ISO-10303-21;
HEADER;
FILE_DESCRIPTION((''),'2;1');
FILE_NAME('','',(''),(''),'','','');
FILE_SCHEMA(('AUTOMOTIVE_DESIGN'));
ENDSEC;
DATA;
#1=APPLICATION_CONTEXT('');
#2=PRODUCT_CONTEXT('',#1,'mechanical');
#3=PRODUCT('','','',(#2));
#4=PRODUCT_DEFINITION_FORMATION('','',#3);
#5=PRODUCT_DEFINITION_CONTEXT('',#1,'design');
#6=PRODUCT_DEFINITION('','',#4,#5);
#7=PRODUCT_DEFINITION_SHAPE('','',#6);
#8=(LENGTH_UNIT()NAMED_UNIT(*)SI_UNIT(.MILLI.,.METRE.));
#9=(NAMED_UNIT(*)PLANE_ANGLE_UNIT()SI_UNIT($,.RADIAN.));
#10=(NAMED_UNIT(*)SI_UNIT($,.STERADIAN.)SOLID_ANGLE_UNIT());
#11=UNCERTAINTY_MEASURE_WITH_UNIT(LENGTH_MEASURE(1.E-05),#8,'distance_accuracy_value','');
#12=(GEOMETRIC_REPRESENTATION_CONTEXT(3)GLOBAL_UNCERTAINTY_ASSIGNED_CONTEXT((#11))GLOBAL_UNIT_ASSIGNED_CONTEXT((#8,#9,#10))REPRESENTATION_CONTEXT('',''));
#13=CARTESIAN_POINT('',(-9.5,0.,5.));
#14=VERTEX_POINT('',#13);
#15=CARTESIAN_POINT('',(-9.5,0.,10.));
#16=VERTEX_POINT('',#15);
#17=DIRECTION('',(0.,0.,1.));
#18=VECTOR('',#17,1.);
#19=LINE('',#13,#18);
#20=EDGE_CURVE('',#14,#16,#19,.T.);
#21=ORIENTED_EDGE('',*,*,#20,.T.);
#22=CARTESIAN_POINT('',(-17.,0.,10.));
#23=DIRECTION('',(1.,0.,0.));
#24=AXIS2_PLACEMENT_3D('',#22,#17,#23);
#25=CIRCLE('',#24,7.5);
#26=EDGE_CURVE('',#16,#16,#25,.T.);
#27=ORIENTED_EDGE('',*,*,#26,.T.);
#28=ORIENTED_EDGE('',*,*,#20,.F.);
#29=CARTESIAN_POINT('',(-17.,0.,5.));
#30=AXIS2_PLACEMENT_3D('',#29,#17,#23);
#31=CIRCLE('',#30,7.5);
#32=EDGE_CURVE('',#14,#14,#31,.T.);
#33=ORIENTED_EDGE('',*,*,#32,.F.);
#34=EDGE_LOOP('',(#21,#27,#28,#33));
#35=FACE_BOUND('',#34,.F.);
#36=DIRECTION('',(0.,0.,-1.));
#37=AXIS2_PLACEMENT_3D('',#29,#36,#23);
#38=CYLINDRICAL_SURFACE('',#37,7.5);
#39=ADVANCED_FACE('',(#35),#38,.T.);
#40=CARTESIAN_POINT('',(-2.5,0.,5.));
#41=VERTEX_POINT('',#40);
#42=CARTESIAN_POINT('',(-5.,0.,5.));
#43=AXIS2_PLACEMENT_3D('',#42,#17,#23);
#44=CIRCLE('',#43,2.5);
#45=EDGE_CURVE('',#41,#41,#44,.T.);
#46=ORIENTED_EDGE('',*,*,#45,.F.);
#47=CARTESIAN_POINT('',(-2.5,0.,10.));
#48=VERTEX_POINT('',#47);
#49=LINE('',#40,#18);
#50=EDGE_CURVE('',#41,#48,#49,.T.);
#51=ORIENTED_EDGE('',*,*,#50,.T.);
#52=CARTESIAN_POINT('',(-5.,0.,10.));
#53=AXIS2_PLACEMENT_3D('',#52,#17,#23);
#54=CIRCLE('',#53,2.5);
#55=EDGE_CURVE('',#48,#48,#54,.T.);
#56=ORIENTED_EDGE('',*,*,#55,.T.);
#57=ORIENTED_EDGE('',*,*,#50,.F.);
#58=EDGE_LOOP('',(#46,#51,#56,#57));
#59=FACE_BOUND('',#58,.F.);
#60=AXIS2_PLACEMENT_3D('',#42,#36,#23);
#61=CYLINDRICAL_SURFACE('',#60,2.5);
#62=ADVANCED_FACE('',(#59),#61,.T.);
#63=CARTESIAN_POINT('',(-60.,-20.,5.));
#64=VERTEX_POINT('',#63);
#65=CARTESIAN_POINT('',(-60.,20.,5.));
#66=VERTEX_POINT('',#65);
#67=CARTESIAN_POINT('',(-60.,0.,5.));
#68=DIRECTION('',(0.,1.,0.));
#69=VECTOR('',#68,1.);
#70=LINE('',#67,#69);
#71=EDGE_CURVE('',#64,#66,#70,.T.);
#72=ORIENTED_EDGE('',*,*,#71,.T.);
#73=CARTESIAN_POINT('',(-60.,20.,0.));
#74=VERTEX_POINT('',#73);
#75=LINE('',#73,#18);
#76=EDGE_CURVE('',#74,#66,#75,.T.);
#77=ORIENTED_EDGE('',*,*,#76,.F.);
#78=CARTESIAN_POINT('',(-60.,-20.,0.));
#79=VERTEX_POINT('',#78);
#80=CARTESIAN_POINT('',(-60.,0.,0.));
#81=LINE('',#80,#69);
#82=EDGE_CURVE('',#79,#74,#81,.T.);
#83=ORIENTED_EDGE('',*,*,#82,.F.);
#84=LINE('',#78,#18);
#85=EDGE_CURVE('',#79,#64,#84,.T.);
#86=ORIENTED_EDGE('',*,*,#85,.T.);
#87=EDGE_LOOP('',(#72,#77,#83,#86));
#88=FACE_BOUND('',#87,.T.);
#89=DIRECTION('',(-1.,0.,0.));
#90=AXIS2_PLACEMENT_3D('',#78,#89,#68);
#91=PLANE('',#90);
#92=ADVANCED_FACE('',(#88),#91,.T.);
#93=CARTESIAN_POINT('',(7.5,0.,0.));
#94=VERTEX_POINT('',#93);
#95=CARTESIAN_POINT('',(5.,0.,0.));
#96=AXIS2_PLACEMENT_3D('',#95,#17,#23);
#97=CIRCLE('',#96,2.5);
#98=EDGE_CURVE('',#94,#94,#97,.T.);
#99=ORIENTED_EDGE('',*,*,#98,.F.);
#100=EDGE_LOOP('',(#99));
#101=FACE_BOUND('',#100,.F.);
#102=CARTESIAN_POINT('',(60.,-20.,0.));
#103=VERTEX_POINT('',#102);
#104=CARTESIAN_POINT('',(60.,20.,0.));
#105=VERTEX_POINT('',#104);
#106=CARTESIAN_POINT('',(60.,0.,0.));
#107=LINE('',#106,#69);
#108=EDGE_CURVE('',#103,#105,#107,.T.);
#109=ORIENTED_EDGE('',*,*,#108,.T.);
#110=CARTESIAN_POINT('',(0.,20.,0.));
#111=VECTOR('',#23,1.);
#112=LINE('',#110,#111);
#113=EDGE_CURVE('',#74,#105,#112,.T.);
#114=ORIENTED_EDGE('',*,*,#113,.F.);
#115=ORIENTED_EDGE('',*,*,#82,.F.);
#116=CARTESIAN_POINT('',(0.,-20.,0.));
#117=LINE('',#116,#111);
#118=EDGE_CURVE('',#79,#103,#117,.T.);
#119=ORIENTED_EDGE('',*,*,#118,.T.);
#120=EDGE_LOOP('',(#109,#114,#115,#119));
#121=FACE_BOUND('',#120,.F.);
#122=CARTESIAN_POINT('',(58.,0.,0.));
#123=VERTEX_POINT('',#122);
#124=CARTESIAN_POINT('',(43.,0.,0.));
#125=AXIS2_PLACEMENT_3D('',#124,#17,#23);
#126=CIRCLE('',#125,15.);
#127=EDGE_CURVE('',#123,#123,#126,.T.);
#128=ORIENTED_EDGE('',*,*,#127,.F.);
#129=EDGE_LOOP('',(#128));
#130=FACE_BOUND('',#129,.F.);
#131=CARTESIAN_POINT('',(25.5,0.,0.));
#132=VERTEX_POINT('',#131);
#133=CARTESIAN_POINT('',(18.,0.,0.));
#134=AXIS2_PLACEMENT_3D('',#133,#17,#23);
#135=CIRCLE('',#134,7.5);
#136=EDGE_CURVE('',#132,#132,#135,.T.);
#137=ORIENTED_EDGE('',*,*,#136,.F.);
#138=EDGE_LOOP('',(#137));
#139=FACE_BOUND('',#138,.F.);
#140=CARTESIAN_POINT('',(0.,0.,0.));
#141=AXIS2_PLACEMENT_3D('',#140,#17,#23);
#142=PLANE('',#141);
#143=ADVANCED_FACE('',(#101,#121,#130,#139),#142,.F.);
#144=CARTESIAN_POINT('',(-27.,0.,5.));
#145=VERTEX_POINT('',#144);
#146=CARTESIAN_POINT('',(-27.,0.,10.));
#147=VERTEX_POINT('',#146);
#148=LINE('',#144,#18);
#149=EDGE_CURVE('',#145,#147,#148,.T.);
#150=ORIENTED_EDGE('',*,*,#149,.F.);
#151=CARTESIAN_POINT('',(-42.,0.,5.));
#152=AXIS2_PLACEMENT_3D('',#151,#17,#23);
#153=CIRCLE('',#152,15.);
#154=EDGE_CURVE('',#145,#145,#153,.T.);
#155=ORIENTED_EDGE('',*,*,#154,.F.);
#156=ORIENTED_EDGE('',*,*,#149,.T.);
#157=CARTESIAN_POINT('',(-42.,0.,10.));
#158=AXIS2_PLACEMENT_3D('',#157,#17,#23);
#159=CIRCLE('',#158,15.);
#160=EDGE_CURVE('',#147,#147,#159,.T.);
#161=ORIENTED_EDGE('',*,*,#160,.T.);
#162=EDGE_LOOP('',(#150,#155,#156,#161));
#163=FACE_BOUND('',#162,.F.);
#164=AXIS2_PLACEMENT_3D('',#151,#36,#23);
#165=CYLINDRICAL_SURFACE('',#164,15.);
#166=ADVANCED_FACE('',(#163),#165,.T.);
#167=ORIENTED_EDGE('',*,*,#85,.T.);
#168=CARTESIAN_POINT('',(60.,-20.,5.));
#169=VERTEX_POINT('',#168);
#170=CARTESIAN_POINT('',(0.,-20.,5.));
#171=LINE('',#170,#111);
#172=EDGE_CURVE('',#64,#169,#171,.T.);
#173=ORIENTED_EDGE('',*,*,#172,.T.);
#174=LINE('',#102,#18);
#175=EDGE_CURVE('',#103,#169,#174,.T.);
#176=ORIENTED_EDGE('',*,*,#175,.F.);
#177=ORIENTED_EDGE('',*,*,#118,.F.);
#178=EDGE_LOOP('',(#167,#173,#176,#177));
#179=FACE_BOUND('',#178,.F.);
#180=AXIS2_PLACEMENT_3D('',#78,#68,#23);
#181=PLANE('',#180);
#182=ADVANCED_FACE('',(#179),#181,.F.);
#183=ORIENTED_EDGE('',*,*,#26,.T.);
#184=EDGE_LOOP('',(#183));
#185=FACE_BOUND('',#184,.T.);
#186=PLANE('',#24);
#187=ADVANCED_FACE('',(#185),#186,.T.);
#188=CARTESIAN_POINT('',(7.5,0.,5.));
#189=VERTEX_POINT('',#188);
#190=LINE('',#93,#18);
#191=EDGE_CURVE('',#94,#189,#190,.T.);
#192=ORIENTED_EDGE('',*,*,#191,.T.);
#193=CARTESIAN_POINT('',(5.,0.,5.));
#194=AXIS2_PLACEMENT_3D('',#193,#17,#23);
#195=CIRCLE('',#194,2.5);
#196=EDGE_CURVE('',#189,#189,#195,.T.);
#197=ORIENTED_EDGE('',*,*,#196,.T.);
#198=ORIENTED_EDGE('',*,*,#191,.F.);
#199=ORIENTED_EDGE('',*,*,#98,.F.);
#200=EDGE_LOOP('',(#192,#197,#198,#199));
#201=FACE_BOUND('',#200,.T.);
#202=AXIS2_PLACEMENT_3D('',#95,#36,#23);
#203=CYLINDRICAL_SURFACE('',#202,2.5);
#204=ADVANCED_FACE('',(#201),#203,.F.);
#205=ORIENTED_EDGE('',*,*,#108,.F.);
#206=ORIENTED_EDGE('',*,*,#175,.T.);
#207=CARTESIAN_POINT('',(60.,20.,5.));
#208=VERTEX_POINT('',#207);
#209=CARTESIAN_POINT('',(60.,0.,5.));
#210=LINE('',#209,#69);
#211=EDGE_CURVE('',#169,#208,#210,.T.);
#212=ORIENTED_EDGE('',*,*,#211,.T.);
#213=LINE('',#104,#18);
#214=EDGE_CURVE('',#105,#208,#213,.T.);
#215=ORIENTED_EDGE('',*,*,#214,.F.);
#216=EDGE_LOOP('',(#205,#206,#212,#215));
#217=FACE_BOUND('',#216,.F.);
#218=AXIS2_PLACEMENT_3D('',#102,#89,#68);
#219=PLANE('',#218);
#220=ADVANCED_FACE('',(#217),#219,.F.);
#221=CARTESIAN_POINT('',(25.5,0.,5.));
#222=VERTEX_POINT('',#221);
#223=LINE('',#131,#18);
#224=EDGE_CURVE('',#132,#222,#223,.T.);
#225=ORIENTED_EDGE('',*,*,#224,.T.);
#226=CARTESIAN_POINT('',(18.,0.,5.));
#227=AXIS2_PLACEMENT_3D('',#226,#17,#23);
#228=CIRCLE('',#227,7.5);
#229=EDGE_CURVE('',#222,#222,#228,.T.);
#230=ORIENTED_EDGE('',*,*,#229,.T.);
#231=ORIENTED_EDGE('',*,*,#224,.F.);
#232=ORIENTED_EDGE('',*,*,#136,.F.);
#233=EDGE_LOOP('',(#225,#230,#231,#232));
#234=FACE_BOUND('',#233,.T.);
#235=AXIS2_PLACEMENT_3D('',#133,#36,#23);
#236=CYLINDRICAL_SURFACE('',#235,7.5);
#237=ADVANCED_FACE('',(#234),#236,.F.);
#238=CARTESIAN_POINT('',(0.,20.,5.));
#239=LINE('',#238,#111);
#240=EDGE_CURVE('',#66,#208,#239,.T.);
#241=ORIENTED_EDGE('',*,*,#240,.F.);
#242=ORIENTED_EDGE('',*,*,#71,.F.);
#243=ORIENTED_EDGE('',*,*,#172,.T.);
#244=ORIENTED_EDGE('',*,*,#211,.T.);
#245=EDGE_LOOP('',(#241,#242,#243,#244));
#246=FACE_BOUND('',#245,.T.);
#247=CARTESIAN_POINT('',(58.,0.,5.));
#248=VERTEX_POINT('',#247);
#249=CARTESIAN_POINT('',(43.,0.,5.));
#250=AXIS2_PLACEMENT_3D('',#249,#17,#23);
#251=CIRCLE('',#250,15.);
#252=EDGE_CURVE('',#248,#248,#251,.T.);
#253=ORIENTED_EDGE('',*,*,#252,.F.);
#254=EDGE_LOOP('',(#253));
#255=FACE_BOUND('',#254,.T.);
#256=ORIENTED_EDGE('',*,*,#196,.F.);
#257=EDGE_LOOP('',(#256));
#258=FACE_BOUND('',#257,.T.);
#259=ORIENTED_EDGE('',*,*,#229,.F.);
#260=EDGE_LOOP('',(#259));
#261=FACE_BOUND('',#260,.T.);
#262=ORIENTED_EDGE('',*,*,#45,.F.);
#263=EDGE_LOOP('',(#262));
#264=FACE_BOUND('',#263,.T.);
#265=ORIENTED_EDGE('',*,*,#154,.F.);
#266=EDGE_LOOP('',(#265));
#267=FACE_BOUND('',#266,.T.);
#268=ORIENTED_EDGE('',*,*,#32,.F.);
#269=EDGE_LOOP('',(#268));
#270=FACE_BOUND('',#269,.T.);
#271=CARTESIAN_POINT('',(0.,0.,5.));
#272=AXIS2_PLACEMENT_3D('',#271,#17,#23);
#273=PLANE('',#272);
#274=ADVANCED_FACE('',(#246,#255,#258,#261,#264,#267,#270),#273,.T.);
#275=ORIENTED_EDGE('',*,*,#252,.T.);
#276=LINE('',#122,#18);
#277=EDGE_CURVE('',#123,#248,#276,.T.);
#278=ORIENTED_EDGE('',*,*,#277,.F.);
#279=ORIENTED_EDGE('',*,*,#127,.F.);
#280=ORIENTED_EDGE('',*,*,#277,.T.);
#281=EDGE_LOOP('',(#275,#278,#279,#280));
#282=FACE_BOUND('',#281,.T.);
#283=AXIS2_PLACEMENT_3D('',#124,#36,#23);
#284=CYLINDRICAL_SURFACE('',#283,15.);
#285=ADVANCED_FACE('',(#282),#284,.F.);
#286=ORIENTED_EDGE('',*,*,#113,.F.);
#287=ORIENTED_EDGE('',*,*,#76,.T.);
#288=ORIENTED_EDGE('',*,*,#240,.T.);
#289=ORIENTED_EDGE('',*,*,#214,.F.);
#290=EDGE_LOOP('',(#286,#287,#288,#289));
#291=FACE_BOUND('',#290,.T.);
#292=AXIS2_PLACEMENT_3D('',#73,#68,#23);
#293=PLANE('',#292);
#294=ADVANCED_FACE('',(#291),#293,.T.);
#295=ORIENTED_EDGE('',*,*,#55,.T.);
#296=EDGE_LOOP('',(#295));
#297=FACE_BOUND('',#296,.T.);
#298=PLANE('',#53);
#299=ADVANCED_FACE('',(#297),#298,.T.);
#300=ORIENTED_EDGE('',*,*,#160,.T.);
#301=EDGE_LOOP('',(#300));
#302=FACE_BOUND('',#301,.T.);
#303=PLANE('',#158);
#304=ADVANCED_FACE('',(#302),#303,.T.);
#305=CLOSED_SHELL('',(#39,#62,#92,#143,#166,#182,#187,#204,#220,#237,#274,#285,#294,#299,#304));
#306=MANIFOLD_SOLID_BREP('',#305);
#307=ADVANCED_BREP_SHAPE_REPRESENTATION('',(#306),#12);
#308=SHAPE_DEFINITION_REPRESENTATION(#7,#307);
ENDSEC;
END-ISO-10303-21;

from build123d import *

# Parameters (mm, degrees)
F0_W     = 120
F0_H     = 40
F0_R     = 2.5
F0_R_2   = 7.5
F0_R_3   = 15
F1_DEPTH = 5
F2_R     = 2.5
F2_R_2   = 7.5
F2_R_3   = 15
F3_DEPTH = 5


with BuildPart() as f1:
    # F0 (on Top) → F1 (new body)
    with BuildSketch(Plane.XY):
        Rectangle(F0_W, F0_H)
        with Locations((5, 0)):
            Circle(F0_R, mode=Mode.SUBTRACT)
        with Locations((18, 0)):
            Circle(F0_R_2, mode=Mode.SUBTRACT)
        with Locations((43, 0)):
            Circle(F0_R_3, mode=Mode.SUBTRACT)
    extrude(amount=F1_DEPTH)

    # F2 (on face) → F3 (join)
    with BuildSketch(Plane.XY.offset(5)):
        with Locations((-5, 0)):
            Circle(F2_R)
        with Locations((-17, 0)):
            Circle(F2_R_2)
        with Locations((-42, 0)):
            Circle(F2_R_3)
    extrude(amount=F3_DEPTH)


solid = f1.part
